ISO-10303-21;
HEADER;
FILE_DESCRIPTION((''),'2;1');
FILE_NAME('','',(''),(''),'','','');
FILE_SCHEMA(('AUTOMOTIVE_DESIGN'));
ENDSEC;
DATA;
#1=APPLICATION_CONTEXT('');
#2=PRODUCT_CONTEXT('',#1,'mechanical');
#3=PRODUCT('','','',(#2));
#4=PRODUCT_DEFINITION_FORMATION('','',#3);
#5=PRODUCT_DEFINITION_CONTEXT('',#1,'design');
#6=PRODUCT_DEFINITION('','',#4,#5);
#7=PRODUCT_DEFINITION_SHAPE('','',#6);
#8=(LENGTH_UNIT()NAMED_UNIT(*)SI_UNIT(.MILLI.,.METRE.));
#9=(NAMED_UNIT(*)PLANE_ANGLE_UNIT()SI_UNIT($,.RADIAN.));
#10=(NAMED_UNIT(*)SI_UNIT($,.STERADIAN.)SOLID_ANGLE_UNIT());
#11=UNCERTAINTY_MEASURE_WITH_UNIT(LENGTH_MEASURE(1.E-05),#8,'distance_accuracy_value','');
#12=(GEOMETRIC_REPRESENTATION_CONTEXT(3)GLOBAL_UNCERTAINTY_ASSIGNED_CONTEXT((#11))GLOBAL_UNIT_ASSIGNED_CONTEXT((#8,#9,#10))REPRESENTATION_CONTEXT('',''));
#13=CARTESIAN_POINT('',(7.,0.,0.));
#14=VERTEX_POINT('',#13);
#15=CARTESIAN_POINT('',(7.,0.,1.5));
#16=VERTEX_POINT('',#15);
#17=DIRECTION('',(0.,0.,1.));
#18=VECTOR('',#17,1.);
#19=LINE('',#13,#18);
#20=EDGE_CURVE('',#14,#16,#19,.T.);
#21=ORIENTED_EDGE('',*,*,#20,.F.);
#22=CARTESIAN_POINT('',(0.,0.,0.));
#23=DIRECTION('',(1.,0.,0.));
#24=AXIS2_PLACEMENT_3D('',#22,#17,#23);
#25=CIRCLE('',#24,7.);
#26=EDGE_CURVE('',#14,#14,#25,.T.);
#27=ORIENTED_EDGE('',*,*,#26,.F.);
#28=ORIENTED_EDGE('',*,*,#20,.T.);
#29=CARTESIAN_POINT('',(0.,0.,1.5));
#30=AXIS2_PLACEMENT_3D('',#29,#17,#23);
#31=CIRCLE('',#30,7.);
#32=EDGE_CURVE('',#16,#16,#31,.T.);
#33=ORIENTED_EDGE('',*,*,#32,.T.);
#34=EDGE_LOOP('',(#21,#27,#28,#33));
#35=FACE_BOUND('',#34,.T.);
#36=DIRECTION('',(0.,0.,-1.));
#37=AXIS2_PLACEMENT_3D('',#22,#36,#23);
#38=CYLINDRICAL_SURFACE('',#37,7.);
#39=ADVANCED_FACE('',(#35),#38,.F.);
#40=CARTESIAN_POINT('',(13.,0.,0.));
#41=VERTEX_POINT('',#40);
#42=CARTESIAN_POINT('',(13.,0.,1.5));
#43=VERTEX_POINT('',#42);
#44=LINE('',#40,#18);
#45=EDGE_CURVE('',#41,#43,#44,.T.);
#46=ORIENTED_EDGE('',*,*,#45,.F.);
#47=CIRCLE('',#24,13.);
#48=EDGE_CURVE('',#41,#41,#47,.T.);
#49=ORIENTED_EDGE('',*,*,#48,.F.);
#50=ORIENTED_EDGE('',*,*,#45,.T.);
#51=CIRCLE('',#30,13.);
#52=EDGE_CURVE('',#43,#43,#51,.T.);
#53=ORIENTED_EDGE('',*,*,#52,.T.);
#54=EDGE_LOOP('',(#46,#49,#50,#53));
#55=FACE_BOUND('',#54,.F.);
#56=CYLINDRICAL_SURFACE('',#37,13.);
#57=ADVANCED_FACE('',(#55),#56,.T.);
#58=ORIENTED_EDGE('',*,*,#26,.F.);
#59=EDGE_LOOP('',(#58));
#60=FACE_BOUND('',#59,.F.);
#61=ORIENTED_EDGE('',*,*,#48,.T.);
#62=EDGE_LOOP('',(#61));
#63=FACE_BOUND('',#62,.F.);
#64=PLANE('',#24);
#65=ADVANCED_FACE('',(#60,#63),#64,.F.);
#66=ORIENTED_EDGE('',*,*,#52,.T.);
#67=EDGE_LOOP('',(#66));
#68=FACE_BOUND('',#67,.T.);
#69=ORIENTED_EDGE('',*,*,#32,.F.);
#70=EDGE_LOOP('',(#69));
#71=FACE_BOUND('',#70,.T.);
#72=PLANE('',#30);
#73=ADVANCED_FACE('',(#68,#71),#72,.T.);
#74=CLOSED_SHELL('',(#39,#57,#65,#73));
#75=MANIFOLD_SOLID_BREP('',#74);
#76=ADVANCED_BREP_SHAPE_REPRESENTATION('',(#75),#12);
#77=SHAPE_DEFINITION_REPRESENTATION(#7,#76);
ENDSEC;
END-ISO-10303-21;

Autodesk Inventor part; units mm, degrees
ref_plane "YZ Plane" through (0, 0, 0) normal (1, 0, 0) x (0, 1, 0)
ref_plane "XZ Plane" through (0, 0, 0) normal (0, 1, 0) x (-1, 0, 0)
ref_plane "XY Plane" through (0, 0, 0) normal (0, 0, 1) x (1, 0, 0)
sketch "Sketch1" plane through (0, 0, 0) normal (0, 0, 1) x (1, 0, 0)
  circle A0 centre (0, 0) radius 13
  circle A1 centre (0, 0) radius 7
  dimension "d0" = 26
  dimension "d1" = 14
extrude "Extrusion1" add sketch "Sketch1" along normal blind 1.5
properties part number "PTFE_Anlaufscheibe" material "Polytetrafluoroethylene"
